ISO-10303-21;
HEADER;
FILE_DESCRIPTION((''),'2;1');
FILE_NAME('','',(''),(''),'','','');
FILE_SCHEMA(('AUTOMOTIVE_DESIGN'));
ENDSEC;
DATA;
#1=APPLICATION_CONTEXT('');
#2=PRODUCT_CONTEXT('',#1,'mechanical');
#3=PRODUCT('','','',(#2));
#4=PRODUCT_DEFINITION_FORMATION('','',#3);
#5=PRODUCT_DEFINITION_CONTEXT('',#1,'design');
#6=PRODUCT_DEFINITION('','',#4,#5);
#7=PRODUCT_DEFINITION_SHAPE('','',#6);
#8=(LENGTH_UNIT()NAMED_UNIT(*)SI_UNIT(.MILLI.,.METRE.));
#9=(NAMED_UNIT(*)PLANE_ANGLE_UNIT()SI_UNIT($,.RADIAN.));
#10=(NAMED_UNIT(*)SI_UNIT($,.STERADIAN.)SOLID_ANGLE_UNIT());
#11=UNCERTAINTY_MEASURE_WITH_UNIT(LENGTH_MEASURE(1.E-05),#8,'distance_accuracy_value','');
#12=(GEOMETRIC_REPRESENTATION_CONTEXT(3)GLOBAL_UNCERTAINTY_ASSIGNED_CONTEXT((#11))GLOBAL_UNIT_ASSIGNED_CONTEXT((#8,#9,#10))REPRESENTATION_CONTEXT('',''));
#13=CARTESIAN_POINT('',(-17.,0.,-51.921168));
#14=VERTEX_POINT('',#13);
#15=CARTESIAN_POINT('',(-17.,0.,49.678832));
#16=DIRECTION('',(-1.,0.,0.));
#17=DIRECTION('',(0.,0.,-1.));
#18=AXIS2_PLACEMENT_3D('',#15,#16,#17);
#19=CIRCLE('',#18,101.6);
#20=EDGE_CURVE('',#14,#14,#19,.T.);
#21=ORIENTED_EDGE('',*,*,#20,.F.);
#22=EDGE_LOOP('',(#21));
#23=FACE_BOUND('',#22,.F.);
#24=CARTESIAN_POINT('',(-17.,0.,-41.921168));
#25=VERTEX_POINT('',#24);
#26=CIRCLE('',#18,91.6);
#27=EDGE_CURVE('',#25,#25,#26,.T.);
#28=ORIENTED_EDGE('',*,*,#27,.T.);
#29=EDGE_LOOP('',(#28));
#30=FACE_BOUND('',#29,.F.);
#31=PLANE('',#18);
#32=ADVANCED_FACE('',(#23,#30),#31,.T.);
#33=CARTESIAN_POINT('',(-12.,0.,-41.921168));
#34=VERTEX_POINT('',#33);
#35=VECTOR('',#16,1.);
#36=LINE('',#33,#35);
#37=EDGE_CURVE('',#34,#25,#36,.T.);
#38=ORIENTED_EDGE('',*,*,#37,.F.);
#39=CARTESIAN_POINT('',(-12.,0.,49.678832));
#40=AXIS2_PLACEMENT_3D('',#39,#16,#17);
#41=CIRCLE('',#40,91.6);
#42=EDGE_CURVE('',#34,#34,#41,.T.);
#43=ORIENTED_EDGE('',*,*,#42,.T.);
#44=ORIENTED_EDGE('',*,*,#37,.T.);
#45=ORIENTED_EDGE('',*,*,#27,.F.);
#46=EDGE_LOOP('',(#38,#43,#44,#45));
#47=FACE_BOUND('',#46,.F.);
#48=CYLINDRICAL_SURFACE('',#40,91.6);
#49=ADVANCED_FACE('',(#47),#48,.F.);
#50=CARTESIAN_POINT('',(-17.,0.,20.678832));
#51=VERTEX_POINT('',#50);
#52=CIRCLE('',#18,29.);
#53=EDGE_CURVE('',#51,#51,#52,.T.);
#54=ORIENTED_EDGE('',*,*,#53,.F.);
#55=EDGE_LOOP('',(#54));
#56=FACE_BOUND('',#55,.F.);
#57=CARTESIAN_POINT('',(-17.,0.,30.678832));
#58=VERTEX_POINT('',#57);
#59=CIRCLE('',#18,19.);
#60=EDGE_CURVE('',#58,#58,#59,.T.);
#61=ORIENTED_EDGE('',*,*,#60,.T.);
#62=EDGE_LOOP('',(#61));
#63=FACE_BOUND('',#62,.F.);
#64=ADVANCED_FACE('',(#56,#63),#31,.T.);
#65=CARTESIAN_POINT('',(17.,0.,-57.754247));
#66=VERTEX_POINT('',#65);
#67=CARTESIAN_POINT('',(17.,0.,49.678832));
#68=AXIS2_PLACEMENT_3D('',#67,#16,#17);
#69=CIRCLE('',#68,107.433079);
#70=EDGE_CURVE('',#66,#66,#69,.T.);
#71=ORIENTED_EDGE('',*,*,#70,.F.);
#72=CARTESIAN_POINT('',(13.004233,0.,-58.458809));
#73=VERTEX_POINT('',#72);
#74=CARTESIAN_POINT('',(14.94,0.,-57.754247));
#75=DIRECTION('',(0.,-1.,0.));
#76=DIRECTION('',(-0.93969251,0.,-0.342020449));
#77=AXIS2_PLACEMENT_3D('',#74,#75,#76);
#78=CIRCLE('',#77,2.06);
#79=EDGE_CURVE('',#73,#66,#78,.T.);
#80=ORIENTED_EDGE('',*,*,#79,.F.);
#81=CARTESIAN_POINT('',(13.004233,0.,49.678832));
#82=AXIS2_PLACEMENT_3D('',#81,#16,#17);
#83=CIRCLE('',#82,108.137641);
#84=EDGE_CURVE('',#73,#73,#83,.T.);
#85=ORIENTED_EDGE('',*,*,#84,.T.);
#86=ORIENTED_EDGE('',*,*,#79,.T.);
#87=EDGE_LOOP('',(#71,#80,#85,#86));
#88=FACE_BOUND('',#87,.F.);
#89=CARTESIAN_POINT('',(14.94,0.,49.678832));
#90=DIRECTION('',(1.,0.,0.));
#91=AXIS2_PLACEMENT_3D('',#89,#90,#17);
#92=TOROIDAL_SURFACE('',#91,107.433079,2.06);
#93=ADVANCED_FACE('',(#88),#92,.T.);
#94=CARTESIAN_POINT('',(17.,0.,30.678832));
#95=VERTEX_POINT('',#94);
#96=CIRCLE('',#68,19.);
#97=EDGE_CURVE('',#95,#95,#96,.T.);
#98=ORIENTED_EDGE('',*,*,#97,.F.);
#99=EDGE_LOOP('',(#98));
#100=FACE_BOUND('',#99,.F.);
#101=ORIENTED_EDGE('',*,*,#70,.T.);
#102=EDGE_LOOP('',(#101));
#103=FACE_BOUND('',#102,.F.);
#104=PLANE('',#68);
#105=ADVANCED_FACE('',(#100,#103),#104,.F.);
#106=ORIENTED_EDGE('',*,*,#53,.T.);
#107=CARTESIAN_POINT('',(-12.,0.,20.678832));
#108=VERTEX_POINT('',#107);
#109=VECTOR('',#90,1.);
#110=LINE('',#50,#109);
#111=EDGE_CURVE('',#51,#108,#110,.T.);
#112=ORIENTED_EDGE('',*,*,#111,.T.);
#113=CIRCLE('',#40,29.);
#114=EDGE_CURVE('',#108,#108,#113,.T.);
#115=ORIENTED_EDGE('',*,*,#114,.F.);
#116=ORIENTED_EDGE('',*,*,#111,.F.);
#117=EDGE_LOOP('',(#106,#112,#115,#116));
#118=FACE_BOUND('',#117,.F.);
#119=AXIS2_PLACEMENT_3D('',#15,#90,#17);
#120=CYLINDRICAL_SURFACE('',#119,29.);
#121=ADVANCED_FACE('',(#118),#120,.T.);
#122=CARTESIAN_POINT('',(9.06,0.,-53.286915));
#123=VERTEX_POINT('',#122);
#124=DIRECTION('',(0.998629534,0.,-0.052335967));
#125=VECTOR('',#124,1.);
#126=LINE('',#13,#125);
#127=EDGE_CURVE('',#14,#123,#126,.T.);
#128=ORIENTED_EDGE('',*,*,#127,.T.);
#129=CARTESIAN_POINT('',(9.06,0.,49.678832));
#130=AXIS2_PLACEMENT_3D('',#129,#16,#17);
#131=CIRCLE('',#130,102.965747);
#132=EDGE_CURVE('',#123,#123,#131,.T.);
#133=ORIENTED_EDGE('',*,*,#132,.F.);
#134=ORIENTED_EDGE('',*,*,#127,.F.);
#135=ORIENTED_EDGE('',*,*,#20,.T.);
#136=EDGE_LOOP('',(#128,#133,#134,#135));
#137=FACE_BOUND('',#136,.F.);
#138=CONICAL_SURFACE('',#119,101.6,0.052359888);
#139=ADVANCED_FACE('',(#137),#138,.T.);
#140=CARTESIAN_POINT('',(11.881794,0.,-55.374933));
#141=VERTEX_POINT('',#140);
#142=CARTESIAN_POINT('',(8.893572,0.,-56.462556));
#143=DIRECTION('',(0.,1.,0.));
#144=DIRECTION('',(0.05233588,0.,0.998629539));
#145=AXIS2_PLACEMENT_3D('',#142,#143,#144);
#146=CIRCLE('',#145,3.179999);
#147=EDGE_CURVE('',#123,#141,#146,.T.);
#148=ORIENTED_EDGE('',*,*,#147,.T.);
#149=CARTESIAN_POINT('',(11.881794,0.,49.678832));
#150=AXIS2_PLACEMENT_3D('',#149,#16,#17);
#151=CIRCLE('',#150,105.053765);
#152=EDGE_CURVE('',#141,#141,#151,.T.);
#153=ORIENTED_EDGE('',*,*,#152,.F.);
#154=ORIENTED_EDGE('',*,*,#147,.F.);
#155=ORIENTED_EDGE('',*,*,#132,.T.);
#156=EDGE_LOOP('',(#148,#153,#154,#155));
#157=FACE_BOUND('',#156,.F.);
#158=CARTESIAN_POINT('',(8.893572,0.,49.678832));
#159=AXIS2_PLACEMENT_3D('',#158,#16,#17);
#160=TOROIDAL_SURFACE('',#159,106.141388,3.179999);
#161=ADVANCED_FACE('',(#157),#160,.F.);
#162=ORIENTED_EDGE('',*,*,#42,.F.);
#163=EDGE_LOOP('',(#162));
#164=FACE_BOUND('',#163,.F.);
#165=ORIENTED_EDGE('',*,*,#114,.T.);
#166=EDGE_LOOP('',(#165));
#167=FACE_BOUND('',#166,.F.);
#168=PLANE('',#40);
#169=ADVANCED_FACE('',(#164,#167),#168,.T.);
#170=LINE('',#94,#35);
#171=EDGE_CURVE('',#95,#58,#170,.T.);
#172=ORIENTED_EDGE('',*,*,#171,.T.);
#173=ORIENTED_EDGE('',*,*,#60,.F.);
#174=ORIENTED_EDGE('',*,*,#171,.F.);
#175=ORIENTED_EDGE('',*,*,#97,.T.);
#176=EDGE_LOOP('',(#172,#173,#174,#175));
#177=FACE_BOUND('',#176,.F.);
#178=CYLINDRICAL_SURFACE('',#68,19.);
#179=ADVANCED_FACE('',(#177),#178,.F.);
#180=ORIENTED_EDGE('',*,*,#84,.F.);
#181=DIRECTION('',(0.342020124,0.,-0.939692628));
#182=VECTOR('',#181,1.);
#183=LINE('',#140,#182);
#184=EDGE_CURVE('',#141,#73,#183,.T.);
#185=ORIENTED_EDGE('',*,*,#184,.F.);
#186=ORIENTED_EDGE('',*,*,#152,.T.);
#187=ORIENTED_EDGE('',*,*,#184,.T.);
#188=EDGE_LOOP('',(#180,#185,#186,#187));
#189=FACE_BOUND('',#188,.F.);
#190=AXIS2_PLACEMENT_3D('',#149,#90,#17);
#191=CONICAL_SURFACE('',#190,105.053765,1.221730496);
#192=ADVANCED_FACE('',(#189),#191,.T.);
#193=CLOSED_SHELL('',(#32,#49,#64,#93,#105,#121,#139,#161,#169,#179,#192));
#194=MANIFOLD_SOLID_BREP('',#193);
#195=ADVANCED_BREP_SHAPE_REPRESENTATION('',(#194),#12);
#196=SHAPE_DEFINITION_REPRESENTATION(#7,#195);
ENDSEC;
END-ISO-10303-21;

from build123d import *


with BuildPart() as f1:
    # F0 (on Front) → F1 (revolve)
    with BuildSketch(Plane.XZ):
        with BuildLine():
            Line((-17, -41.921168), (-17, -51.921168))
            Line((-17, -51.921168), (9.06, -53.286915))
            ThreePointArc((9.06, -53.286915), (10.785108, -53.906292), (11.881794, -55.374933))
            Line((11.881794, -55.374933), (13.004233, -58.458809))
            ThreePointArc((13.004233, -58.458809), (15.297715, -59.782951), (17, -57.754247))
            Line((17, -57.754247), (17, -51.921168))
            Line((17, -51.921168), (17, 30.678832))
            Line((17, 30.678832), (-17, 30.678832))
            Line((-17, 30.678832), (-17, 20.678832))
            Line((-17, 20.678832), (-12, 20.678832))
            Line((-12, 20.678832), (-12, -41.921168))
            Line((-12, -41.921168), (-17, -41.921168))
        make_face()
    revolve(axis=Axis((0, 0, 49.678832), (-1, 0, 0)))


solid = f1.part
